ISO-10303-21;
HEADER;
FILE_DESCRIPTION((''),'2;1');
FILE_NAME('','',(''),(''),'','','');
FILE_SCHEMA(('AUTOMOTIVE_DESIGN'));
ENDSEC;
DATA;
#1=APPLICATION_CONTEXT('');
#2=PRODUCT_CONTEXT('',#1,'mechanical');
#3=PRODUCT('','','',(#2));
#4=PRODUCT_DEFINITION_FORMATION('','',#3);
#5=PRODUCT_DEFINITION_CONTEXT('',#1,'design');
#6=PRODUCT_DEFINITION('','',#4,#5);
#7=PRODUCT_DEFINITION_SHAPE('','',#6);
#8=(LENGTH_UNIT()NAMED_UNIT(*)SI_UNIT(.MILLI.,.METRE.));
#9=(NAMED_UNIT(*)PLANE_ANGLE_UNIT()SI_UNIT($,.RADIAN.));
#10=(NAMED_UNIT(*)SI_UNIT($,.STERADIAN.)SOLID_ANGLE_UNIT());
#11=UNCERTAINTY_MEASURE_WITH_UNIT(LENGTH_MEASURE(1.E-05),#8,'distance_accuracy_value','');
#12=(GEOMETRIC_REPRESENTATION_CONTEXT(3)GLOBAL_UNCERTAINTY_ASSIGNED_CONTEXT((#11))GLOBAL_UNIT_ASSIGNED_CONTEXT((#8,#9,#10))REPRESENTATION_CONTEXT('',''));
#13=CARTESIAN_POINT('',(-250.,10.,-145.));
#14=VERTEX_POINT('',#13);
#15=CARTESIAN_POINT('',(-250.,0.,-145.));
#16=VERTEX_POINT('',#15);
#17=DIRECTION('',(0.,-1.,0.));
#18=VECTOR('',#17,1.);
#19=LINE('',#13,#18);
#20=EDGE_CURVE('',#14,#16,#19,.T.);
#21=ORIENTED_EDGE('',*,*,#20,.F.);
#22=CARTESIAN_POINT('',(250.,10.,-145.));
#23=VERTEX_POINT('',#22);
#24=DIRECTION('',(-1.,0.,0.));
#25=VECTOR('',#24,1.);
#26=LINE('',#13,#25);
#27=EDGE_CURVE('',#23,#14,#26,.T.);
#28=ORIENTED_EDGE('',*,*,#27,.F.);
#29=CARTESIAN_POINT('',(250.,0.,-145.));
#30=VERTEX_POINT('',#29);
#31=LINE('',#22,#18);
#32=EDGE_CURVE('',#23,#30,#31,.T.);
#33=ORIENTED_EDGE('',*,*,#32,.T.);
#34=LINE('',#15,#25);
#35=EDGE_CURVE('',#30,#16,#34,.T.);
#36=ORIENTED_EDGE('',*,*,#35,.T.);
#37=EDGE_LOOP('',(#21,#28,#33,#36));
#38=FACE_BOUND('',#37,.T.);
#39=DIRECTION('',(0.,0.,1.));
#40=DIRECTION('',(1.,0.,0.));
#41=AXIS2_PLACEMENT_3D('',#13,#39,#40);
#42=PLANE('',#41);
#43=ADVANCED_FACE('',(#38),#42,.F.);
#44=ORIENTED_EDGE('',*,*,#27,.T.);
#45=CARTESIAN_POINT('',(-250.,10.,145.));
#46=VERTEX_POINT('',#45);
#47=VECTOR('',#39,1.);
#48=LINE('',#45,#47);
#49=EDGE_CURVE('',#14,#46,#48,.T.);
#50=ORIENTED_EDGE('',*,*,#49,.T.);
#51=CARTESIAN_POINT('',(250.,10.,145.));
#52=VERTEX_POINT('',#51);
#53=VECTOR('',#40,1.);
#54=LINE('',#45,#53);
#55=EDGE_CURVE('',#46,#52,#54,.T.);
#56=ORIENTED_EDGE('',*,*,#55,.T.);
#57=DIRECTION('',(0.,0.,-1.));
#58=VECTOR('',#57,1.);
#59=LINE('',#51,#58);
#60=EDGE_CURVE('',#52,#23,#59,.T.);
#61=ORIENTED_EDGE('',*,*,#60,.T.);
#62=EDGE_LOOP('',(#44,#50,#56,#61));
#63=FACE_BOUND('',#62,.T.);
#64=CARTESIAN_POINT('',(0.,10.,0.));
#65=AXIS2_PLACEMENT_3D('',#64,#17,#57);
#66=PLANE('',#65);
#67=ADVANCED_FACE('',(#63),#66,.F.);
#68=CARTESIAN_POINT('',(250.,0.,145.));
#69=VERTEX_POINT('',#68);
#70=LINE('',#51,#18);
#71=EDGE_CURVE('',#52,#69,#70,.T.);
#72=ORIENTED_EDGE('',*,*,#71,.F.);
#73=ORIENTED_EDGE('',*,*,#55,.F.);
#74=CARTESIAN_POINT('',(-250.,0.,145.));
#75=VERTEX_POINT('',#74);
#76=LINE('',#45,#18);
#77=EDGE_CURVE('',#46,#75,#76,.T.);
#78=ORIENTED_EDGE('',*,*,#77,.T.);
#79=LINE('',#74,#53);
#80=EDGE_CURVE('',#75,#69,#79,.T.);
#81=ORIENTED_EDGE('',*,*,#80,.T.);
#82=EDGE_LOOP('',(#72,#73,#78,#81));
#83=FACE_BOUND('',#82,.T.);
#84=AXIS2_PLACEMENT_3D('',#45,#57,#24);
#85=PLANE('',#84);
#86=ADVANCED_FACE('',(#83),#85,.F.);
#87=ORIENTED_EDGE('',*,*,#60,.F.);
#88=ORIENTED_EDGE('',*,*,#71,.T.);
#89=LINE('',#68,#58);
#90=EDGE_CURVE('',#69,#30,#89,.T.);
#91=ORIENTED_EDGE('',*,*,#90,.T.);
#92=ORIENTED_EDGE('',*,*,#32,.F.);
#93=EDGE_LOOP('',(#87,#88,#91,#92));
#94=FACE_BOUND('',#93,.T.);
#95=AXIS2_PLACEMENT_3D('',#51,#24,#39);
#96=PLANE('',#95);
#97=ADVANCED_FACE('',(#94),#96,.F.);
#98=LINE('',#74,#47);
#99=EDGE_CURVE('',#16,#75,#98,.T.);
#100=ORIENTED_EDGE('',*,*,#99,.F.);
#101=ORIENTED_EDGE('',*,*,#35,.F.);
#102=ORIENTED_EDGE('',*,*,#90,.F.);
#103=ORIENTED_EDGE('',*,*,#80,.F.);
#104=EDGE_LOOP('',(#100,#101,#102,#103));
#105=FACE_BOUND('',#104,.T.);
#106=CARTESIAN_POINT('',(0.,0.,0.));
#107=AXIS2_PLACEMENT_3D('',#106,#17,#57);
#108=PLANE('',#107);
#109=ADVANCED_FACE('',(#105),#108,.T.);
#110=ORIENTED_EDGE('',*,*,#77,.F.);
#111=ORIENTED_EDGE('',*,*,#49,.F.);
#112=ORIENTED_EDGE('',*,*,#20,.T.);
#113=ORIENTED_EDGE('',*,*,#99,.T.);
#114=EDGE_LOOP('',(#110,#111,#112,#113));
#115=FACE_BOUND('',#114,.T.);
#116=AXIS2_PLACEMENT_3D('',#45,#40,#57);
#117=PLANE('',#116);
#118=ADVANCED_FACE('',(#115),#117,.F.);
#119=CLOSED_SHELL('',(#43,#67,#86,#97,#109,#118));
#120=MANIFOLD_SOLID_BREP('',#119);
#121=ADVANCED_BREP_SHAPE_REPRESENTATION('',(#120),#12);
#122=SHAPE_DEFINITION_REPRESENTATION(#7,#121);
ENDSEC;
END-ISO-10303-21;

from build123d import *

# Parameters (mm, degrees)
SKETCH1_W           = 500
SKETCH1_H           = 290
BOSS_EXTRUDE1_DEPTH = 10


with BuildPart() as part:
    # Sketch1 → Boss-Extrude1 (new body)
    with BuildSketch(Plane(origin=(0, 0, 0), x_dir=(1, 0, 0), z_dir=(0, 1, 0))):
        Rectangle(SKETCH1_W, SKETCH1_H)
    extrude(amount=BOSS_EXTRUDE1_DEPTH)


solid = part.part
